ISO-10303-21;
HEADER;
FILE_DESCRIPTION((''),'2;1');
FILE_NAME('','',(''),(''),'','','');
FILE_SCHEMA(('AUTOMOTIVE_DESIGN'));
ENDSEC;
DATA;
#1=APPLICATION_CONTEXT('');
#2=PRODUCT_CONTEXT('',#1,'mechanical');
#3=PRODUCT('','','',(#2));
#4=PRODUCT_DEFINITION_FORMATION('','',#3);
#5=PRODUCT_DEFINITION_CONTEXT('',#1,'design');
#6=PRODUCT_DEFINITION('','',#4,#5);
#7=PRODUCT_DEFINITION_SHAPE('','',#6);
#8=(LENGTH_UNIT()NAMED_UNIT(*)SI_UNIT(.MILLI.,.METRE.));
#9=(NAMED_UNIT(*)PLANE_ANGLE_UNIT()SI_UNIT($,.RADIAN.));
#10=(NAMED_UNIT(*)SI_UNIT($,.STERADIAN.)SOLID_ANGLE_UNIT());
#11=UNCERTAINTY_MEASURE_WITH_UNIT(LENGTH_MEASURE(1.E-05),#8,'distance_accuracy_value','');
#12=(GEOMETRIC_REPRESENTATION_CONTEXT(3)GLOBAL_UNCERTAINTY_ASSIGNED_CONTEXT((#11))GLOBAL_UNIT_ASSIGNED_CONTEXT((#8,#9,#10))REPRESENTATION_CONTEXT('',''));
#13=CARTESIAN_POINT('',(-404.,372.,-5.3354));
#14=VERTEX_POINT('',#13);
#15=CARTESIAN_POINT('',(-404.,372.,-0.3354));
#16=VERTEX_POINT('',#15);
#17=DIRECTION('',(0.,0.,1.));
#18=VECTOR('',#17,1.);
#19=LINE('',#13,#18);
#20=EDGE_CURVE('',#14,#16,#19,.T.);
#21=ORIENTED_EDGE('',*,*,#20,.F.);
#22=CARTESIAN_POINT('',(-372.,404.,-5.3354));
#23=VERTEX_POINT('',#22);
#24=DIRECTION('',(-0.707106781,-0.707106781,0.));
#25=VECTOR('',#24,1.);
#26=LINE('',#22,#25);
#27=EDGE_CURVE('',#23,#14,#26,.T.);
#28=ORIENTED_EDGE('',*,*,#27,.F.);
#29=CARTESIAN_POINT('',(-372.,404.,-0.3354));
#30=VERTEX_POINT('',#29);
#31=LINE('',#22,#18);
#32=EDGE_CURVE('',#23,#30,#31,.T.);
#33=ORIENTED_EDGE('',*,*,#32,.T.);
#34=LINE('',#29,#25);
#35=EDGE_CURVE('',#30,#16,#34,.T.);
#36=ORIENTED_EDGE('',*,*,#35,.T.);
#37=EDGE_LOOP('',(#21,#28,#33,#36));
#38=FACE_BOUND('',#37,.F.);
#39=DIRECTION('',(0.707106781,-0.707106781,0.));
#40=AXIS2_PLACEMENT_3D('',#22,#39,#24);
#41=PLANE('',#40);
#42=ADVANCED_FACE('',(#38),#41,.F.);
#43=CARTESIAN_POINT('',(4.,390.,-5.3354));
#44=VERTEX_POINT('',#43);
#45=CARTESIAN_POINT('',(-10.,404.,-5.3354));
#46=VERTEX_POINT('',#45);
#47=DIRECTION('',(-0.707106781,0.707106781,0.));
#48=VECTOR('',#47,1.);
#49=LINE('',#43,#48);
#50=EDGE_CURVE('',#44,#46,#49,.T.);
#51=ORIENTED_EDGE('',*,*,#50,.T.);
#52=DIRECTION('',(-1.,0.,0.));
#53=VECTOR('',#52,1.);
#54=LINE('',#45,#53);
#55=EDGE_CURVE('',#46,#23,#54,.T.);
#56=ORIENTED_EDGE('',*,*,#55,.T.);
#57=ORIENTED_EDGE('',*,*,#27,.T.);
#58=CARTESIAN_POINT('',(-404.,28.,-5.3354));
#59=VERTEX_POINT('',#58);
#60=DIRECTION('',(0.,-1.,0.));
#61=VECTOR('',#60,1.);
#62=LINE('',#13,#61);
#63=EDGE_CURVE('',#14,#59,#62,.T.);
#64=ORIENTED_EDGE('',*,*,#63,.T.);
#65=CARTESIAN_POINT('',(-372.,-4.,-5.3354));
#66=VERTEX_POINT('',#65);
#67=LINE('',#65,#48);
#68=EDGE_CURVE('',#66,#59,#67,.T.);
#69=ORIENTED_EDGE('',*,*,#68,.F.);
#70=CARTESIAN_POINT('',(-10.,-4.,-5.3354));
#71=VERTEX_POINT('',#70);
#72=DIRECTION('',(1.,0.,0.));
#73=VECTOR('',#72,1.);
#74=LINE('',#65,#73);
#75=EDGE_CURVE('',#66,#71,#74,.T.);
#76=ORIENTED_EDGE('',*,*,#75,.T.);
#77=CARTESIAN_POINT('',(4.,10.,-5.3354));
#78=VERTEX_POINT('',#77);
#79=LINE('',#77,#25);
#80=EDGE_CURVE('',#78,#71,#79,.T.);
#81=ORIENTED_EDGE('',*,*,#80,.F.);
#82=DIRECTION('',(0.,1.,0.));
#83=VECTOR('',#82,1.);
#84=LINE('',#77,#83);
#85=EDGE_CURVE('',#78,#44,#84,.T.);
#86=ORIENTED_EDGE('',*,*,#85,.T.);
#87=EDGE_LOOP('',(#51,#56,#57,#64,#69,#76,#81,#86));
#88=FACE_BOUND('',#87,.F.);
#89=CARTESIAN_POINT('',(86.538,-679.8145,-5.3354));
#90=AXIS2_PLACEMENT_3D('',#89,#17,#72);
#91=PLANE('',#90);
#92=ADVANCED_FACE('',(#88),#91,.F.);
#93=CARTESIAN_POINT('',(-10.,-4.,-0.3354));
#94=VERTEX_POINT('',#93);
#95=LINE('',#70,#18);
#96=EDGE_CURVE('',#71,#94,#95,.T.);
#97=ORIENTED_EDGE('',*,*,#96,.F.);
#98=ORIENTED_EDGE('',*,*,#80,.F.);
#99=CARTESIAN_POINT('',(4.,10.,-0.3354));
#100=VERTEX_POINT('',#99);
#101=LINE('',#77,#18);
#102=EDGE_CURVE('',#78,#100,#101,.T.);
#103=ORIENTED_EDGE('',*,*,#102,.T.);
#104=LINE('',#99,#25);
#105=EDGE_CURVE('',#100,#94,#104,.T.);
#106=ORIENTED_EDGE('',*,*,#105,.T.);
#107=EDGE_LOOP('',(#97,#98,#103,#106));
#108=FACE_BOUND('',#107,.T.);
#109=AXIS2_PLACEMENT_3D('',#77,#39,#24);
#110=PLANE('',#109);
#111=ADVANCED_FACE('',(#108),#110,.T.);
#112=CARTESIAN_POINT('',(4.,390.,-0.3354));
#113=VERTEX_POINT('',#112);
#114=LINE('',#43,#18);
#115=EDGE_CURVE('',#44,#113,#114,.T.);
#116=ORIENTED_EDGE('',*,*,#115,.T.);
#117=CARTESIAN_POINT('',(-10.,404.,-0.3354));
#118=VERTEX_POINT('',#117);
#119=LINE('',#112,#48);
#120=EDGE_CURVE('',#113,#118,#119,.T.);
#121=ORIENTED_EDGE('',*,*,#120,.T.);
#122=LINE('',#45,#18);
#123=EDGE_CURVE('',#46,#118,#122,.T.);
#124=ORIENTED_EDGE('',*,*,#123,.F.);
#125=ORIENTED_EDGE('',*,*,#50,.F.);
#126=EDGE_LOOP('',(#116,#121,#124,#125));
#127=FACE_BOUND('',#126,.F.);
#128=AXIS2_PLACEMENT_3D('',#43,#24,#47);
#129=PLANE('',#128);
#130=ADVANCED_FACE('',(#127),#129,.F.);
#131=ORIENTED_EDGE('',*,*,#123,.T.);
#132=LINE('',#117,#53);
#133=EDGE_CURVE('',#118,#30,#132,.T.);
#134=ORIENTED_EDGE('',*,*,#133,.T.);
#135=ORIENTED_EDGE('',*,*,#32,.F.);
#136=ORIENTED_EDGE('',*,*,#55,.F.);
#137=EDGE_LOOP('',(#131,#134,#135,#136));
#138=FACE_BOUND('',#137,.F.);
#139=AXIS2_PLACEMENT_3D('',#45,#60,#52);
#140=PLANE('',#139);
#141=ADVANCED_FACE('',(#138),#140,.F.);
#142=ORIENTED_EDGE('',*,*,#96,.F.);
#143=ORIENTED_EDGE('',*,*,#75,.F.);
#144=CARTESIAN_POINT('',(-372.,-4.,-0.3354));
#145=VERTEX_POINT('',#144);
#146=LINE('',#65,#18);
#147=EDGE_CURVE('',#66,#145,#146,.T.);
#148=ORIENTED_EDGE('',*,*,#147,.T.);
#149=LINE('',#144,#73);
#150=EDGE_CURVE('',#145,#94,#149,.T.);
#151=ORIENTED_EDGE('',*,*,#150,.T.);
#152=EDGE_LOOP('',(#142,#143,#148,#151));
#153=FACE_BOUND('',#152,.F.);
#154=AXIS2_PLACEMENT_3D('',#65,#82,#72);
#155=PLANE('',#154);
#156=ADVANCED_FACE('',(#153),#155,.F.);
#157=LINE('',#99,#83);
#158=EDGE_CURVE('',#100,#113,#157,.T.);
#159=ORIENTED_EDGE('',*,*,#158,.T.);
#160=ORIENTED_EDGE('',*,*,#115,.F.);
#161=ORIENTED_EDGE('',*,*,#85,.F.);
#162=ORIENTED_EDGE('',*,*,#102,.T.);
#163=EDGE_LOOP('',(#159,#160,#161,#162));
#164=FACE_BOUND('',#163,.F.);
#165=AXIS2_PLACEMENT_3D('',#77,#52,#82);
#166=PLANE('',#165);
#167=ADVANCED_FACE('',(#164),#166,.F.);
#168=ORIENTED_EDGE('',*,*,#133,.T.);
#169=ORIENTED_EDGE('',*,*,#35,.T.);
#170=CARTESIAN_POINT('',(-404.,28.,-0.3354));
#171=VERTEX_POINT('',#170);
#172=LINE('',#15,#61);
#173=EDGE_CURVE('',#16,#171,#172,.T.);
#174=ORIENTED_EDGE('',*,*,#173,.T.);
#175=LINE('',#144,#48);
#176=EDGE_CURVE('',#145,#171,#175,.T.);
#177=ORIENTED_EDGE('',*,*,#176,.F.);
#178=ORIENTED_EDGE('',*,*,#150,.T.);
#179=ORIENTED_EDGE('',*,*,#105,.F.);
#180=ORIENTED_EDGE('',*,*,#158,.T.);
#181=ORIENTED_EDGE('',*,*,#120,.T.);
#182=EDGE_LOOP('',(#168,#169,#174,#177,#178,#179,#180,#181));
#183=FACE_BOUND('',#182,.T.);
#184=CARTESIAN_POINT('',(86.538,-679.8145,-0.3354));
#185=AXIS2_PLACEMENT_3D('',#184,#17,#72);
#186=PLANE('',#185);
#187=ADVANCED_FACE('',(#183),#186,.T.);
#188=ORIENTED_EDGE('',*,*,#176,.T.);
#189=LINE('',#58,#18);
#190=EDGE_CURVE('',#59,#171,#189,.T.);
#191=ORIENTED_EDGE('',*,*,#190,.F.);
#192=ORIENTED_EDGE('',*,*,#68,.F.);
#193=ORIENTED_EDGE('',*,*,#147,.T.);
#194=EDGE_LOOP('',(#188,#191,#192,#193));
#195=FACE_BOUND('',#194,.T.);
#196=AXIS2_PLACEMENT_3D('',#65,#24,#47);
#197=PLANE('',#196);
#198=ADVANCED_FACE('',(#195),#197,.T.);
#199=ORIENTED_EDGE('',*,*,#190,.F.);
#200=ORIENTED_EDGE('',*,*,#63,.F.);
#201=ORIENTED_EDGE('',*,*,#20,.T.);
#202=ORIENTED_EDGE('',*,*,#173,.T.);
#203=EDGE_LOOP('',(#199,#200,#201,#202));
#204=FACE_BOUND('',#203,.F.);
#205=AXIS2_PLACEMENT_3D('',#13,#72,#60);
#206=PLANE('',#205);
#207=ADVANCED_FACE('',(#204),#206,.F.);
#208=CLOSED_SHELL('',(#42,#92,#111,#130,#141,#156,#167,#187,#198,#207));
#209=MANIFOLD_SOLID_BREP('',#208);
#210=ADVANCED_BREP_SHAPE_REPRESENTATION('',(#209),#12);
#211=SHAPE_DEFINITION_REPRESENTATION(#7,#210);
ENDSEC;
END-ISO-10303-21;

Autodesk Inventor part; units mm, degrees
ref_plane "YZ Plane" through (0, 0, 0) normal (1, 0, 0) x (0, 1, 0)
ref_plane "XZ Plane" through (0, 0, 0) normal (0, 1, 0) x (-1, 0, 0)
ref_plane "XY Plane" through (0, 0, 0) normal (0, 0, 1) x (1, 0, 0)
ref_plane "Arbeitsebene2" through (86.538, -679.8145, -5.3354) normal (0, 0, 1) x (1, 0, 0)
sketch "Skizze1" plane through (86.538, -679.8145, -5.3354) normal (0, 0, 1) x (1, 0, 0)
  line L0 (-86.538, 679.8145) -> (-486.538, 679.8145) construction
  line L1 (-486.538, 679.8145) -> (-486.538, 1079.8145) construction
  line L2 (-486.538, 1079.8145) -> (-86.538, 1079.8145) construction
  line L3 (-86.538, 1079.8145) -> (-86.538, 679.8145) construction
  line L4 (-458.538, 1083.8145) -> (-490.538, 1051.8145)
  line L5 (-458.538, 1083.8145) -> (-413.2832, 1083.8145) construction
  line L6 (-458.538, 675.8145) -> (-490.538, 707.8145)
  line L7 (-458.538, 675.8145) -> (-413.2832, 675.8145) construction
  line L8 (-82.538, 1069.8145) -> (-96.538, 1083.8145)
  line L9 (-82.538, 1069.8145) -> (-62.739, 1069.8145) construction
  line L10 (-82.538, 689.8145) -> (-96.538, 675.8145)
  line L11 (-82.538, 689.8145) -> (-62.739, 689.8145) construction
  line L12 (-96.538, 1083.8145) -> (-458.538, 1083.8145)
  line L13 (-490.538, 1051.8145) -> (-490.538, 707.8145)
  line L14 (-458.538, 675.8145) -> (-96.538, 675.8145)
  line L15 (-82.538, 689.8145) -> (-82.538, 1069.8145)
  dimension "d0" = 400
  dimension "d1" = 400
  dimension "d4" = 135
  dimension "d5" = 4
  dimension "d6" = 28
  dimension "d7" = 4
  dimension "d8" = 135
  dimension "d9" = 4
  dimension "d10" = 28
  dimension "d11" = 4
  dimension "d12" = 135
  dimension "d13" = 10
  dimension "d14" = 4
  dimension "d15" = 10
  dimension "d16" = 135
  dimension "d17" = 4
  dimension "d18" = 10
  dimension "d19" = 4
extrude "Extrusion1" add sketch "Skizze1" along normal blind 5
properties part number "ground plate" material "Holz"
